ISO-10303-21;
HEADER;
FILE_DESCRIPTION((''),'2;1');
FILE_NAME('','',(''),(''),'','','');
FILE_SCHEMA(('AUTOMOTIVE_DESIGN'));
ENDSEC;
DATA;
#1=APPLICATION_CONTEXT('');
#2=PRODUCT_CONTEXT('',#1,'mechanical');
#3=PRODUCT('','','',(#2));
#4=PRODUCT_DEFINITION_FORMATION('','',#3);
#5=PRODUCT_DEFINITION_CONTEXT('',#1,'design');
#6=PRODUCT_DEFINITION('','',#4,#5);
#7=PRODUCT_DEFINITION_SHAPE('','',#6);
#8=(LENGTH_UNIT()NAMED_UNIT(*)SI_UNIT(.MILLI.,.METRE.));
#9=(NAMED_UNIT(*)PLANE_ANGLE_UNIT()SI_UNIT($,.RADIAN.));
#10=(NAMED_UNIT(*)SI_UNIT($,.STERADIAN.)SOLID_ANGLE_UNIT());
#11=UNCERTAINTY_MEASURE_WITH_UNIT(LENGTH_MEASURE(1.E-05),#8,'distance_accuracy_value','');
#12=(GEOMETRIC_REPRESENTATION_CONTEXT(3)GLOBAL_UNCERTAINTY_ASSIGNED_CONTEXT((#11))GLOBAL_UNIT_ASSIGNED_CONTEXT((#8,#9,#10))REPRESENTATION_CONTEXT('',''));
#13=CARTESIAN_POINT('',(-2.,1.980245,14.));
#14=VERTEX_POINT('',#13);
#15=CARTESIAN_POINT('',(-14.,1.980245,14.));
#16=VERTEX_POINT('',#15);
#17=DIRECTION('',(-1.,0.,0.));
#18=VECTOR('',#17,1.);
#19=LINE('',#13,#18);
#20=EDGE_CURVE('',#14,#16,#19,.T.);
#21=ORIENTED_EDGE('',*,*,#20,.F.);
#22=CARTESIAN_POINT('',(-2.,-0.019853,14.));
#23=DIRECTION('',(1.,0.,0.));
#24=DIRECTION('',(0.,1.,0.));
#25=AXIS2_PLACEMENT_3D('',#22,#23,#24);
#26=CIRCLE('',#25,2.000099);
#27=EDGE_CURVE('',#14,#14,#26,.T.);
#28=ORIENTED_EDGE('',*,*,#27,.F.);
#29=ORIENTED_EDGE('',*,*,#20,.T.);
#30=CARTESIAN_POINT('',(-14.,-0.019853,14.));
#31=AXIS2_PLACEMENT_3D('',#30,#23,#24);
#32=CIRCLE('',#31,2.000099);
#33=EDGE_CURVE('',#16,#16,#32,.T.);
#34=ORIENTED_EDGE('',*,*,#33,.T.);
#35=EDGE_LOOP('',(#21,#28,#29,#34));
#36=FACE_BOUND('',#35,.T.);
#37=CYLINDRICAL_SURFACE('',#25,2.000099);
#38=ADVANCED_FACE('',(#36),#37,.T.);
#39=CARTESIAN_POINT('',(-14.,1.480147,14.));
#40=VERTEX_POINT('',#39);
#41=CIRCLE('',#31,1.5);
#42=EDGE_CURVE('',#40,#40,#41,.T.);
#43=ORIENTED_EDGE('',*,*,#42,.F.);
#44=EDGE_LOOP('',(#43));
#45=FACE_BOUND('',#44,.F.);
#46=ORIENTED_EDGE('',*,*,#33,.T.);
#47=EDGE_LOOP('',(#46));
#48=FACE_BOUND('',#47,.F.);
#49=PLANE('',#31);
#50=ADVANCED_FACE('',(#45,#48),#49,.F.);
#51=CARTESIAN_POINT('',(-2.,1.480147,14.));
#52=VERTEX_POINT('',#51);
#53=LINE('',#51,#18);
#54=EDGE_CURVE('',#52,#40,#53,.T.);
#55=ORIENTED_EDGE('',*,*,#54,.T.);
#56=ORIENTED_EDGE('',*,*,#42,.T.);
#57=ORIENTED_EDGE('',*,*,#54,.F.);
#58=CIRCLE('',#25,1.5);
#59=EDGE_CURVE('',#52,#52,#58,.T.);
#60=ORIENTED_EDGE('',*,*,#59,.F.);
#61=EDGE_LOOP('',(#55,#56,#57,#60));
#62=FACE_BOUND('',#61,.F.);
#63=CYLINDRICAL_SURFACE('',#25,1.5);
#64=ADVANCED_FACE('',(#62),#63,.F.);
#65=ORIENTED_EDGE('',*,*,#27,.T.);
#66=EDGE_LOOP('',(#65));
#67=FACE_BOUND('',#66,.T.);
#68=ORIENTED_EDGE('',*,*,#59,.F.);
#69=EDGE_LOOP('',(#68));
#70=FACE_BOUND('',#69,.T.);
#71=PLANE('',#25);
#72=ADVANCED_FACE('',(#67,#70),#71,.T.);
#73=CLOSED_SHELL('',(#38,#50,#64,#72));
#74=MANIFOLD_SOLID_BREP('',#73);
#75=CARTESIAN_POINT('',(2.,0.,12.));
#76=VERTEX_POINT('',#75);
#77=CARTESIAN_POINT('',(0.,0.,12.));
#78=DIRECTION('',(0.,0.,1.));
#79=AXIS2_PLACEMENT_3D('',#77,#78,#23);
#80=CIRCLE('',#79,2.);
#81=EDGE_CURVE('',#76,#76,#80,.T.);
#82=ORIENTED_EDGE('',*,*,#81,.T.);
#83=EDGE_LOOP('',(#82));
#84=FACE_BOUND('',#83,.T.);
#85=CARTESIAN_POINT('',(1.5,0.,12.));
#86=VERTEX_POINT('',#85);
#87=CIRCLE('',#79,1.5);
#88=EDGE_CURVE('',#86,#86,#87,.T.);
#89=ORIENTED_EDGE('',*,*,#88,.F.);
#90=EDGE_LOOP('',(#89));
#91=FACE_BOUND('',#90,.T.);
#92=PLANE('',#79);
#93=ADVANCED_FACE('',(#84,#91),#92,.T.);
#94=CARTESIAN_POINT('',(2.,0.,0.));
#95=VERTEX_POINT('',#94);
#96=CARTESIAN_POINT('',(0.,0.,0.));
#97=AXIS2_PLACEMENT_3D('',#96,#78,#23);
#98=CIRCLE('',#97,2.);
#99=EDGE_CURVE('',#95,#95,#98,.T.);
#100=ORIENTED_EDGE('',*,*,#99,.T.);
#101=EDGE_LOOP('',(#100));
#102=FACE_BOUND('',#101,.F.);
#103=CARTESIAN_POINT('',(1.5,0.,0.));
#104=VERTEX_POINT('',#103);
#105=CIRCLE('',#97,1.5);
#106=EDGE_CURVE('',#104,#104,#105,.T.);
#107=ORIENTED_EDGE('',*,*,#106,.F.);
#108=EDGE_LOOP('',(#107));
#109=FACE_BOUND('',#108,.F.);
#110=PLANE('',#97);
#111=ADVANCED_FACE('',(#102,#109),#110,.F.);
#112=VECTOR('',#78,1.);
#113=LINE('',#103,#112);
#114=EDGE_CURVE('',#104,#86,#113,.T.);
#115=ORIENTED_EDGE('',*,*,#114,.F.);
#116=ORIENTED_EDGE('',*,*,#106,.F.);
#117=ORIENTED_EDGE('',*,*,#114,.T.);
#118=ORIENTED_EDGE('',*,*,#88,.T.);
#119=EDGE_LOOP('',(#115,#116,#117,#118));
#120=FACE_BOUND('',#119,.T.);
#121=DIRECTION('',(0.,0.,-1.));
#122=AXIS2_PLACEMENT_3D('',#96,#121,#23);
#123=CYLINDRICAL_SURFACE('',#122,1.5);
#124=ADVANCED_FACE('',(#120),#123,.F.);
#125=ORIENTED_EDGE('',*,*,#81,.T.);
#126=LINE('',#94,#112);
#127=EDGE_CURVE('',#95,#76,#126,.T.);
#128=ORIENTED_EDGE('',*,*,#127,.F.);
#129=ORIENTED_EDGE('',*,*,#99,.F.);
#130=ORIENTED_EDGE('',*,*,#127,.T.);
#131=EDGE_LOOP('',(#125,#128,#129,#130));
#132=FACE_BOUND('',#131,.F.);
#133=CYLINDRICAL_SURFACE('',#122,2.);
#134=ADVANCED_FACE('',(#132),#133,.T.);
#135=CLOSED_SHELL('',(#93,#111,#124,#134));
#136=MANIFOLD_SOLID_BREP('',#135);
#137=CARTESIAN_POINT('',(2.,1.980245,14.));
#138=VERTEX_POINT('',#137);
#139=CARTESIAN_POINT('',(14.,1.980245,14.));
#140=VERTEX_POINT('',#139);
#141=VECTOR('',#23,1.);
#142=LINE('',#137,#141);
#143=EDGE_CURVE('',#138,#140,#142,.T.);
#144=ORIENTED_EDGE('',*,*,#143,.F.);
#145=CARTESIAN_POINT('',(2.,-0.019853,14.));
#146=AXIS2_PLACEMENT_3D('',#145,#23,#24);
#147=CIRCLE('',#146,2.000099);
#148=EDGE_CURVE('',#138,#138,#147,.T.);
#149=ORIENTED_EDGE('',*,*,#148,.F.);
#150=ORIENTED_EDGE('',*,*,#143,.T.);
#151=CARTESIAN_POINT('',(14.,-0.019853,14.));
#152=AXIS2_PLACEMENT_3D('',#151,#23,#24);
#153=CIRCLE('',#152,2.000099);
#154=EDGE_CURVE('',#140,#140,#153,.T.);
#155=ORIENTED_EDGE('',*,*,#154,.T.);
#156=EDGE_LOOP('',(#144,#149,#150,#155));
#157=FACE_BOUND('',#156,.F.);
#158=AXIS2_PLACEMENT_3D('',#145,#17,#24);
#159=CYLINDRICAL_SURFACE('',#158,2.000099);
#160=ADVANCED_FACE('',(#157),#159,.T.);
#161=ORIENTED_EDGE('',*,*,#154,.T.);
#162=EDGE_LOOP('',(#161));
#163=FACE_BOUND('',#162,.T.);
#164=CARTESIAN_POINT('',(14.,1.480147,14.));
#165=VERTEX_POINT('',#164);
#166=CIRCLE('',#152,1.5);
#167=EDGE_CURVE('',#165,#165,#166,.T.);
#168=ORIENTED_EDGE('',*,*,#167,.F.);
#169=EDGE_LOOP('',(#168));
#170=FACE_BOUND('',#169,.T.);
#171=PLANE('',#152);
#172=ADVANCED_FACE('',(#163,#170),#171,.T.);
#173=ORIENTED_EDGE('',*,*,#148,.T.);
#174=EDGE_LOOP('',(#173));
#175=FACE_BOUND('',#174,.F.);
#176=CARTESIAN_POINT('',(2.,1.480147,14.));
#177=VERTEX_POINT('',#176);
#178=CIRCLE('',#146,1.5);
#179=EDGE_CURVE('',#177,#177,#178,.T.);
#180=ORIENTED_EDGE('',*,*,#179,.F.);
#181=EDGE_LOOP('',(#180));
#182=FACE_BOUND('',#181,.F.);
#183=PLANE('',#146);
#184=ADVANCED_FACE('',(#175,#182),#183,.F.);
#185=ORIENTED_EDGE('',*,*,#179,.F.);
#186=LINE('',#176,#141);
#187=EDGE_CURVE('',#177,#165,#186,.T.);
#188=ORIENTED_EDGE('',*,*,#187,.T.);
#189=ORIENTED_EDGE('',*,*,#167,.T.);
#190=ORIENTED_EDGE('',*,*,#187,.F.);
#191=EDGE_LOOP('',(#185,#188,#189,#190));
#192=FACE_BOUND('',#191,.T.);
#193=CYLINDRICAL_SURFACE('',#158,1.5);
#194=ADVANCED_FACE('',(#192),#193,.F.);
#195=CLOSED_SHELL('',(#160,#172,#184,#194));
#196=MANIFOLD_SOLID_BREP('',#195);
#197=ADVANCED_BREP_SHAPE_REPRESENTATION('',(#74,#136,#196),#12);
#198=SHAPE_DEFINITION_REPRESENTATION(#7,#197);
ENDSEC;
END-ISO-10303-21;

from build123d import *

# Parameters (mm, degrees)
F0_R     = 2
F0_R_2   = 1.5
F1_DEPTH = 12
F3_START = 2
F2_R     = 2.0000985341
F2_R_2   = 1.5
F3_DEPTH = 12
F4_START = -2
F4_DEPTH = 12


with BuildPart() as f1:
    # F0 (on Top) → F1 (new body)
    with BuildSketch(Plane.XY):
        Circle(F0_R)
        Circle(F0_R_2, mode=Mode.SUBTRACT)
    extrude(amount=F1_DEPTH)


with BuildPart() as f3:
    # F2 (on Right) → F3 (new body)
    with BuildSketch(Plane.YZ.offset(F3_START)):
        with Locations((-0.0198531127, 14)):
            Circle(F2_R)
        with Locations((-0.0198531127, 14)):
            Circle(F2_R_2, mode=Mode.SUBTRACT)
    extrude(amount=F3_DEPTH)


with BuildPart() as f4:
    # F2 (on Right) → F4 (new body)
    with BuildSketch(Plane.YZ.offset(F4_START)):
        with Locations((-0.0198531127, 14)):
            Circle(F2_R)
        with Locations((-0.0198531127, 14)):
            Circle(F2_R_2, mode=Mode.SUBTRACT)
    extrude(amount=-F4_DEPTH)


solid = Compound([f1.part, f3.part, f4.part])
